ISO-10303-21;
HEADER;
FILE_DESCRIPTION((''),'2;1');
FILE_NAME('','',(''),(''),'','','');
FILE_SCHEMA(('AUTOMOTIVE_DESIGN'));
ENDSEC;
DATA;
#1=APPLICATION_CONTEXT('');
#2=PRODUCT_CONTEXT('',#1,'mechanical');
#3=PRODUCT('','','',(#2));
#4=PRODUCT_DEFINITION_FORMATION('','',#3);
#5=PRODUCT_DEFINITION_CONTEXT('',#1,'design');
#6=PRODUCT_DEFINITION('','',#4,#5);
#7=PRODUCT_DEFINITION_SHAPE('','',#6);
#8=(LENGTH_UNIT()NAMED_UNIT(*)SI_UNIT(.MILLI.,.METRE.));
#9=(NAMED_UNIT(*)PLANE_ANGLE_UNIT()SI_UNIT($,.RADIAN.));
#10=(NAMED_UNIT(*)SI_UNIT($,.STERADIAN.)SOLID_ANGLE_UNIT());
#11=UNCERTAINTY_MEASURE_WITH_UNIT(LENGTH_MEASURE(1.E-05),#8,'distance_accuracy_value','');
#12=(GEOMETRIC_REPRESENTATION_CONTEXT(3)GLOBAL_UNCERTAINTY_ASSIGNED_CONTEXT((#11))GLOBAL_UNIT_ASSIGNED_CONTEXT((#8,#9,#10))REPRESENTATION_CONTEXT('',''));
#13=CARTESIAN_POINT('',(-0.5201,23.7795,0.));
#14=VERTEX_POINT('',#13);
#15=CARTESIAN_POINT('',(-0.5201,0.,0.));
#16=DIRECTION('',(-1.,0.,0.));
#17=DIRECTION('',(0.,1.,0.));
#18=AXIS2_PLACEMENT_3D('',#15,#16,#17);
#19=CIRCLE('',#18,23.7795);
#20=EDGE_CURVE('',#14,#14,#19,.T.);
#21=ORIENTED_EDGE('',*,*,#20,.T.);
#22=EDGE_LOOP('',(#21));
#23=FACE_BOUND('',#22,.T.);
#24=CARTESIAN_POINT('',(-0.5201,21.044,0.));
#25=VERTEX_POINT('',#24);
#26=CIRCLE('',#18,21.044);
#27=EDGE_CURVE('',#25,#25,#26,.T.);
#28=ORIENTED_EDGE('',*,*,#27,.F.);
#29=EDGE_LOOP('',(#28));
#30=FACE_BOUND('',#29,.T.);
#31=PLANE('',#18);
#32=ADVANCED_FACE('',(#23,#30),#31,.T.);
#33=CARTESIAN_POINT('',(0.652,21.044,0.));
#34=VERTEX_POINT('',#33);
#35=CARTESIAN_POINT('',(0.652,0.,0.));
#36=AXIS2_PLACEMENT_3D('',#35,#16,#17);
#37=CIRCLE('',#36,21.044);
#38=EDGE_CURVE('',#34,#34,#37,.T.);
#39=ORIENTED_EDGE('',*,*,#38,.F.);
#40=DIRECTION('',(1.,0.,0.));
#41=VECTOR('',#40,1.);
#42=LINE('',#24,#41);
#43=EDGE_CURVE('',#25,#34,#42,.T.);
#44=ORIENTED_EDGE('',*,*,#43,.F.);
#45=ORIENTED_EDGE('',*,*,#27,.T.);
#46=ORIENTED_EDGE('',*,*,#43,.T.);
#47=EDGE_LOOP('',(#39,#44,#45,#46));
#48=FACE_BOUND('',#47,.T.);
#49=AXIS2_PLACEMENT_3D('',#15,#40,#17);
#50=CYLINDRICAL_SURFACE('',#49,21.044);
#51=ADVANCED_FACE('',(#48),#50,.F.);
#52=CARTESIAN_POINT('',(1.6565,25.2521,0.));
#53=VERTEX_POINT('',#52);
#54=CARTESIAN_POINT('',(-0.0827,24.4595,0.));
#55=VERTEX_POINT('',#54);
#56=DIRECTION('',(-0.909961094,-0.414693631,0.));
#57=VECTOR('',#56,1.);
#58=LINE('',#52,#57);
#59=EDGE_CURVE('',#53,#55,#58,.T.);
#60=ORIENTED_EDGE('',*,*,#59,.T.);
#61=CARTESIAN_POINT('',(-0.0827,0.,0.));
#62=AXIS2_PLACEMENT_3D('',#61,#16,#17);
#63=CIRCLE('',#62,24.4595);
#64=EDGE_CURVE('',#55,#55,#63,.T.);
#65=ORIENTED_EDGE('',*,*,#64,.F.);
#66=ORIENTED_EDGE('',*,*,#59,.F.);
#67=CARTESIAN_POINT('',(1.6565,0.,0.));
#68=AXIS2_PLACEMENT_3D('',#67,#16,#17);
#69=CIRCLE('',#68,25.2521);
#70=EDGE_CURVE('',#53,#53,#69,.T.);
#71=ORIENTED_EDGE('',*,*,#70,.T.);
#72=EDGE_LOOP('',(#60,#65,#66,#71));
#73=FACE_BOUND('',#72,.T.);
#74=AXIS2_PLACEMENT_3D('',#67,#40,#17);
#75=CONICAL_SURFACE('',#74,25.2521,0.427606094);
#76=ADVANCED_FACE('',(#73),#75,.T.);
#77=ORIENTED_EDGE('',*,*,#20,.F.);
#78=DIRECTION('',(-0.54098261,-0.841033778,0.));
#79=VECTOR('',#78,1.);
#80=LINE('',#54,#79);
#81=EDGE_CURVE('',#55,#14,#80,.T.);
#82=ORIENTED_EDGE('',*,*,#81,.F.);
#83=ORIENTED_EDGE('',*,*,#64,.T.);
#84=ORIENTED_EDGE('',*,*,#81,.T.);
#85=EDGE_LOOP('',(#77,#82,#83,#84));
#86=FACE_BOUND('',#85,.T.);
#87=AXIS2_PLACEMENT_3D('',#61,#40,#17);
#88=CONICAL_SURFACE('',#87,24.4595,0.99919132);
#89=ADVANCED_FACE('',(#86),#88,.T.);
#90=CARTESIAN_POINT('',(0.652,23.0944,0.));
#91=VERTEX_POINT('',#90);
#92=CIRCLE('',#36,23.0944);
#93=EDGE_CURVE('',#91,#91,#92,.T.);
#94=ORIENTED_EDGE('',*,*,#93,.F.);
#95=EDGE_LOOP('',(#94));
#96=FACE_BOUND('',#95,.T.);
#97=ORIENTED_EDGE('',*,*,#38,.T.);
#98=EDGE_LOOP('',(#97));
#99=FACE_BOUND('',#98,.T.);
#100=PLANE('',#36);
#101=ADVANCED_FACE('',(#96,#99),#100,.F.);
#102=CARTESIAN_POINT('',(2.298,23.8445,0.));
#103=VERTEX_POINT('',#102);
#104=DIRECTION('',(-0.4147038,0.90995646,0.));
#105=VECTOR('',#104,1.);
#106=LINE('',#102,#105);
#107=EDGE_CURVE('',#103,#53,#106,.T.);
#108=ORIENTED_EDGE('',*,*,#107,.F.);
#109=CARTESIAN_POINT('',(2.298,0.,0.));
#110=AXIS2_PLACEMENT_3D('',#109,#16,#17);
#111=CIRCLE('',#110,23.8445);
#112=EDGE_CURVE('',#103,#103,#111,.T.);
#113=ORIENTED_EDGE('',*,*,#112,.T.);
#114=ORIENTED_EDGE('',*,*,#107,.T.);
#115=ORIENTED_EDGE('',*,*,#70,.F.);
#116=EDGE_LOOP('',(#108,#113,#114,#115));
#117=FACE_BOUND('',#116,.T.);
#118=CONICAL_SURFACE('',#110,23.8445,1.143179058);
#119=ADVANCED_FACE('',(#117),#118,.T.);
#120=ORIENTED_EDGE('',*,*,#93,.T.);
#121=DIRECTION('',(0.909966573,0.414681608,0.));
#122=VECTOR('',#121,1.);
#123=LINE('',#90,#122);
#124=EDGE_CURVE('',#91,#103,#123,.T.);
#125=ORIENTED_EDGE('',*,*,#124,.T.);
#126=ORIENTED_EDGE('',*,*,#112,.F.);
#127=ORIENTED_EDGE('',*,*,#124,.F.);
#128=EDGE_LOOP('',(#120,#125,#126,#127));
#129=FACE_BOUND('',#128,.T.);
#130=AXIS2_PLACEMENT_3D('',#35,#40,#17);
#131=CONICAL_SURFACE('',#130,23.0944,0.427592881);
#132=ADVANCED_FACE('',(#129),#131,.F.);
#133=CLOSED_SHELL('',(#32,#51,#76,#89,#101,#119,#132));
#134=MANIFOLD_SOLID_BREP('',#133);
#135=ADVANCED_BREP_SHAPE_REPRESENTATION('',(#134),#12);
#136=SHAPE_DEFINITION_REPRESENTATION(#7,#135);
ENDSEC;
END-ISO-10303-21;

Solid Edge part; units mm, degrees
sketch "Sketch1" plane through (0, 0, 0) normal (0, 0, 1) x (1, 0, 0)
  line L0 (-0.5201, 21.044) -> (0.652, 21.044)
  line L1 (0.652, 21.044) -> (0.652, 23.0944)
  line L2 (0.652, 23.0944) -> (2.298, 23.8445)
  line L3 (2.298, 23.8445) -> (1.6565, 25.2521)
  line L4 (1.6565, 25.2521) -> (-0.0827, 24.4595)
  line L5 (-0.0827, 24.4595) -> (-0.5201, 23.7795)
  line L6 (-0.5201, 23.7795) -> (-0.5201, 21.044)
revolve "RevolvedProtrusion1" add sketch "Sketch1" angle 360 about axis through (0.652, 0, 0) along (-1, 0, 0)
properties material "Steel"
